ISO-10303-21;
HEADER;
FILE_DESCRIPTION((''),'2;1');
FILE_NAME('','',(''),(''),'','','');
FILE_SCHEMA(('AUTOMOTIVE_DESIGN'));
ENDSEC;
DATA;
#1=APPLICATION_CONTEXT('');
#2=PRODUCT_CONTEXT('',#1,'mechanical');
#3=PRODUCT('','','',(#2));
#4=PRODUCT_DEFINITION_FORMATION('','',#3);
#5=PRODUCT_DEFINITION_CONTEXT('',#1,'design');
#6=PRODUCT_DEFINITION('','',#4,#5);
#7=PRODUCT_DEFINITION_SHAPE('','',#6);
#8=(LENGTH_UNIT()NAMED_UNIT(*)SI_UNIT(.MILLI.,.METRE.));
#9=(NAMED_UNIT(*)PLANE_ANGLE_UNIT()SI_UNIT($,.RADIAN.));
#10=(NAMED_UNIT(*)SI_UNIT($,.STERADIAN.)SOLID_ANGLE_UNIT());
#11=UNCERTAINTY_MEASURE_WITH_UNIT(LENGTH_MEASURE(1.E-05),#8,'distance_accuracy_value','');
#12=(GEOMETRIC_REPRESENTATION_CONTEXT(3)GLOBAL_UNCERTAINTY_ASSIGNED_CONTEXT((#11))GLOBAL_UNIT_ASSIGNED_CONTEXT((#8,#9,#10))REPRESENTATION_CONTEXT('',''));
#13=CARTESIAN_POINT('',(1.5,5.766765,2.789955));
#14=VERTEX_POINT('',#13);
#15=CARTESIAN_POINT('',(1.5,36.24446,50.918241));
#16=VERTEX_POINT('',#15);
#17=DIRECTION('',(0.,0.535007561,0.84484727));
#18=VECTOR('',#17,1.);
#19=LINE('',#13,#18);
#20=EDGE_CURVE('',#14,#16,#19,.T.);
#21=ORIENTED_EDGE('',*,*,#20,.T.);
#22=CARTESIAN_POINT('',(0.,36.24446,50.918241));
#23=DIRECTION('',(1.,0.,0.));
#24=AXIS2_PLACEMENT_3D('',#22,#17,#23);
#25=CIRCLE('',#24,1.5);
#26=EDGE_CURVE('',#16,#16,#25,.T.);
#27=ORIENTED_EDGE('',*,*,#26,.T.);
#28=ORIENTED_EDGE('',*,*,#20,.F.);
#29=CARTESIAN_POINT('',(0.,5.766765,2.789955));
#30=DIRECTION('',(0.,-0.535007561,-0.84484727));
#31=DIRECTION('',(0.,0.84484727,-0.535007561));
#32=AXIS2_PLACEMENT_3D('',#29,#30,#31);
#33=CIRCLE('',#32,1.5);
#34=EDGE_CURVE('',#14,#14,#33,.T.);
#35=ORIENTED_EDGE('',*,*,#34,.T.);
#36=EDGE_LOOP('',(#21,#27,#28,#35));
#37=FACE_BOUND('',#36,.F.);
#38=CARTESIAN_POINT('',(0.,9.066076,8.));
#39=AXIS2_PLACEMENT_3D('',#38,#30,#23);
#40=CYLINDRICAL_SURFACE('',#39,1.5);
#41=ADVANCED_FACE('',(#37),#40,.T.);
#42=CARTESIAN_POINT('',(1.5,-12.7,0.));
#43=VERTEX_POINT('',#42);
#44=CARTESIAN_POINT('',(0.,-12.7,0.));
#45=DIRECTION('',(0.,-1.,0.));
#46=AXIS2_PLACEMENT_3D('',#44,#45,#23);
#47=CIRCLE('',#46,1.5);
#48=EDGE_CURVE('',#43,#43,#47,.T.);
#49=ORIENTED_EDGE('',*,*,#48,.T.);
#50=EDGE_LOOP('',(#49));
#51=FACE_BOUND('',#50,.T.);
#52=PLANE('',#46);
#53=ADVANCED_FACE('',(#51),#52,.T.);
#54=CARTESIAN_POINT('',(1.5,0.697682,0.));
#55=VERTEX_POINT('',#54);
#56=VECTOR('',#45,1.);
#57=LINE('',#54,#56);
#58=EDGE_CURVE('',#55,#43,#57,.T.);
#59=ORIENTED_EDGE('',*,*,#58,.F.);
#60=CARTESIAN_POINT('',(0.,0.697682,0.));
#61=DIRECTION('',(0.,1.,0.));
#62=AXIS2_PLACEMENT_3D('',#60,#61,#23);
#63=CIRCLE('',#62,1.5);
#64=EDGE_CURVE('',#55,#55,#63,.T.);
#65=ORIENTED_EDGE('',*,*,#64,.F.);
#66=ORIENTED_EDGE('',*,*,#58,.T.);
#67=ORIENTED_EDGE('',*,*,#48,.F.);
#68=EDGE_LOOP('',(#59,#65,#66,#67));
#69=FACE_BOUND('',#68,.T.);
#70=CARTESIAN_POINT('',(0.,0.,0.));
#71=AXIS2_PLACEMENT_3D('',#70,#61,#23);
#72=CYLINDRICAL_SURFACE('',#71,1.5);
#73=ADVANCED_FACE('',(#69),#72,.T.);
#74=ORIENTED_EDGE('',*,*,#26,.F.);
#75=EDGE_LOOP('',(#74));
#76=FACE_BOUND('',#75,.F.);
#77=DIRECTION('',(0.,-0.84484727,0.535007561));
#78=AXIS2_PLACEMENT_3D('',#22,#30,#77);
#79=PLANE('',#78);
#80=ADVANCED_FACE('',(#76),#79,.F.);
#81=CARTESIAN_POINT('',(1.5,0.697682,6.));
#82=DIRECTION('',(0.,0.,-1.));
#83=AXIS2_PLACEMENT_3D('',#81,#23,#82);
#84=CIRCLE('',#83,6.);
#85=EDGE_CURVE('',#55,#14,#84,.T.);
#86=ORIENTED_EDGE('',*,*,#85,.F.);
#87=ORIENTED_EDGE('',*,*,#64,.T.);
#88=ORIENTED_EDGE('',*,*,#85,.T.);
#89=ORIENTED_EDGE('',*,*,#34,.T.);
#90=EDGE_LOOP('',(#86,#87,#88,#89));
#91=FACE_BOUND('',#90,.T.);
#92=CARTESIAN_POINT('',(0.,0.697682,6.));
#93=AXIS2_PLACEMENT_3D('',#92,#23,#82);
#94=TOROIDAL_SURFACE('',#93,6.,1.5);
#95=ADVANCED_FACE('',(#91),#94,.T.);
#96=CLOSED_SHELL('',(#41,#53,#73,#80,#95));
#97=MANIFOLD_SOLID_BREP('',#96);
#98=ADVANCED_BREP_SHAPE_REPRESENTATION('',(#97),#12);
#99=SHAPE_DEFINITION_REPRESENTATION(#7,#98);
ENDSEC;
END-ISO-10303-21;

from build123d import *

# Parameters (mm, degrees)
F0_R     = 1.5
F3_DEPTH = 12.7
F4_DEPTH = 50.8


with BuildPart() as f2:
    # F2: sweep along a path in F1
    with BuildLine(Plane.YZ) as f2_path:
        Line((0, 0), (0.6976816626, 0))
        ThreePointArc((0.6976816626, 0), (3.5907533681, 0.7435624129), (5.7667652809, 2.7899546311))
        Line((5.7667652809, 2.7899546311), (9.0660760179, 8))
    # F0 (on Front) → F2 (sweep)
    with BuildSketch(Plane.XZ):
        Circle(F0_R)
    sweep(path=f2_path.line)

    # F0 (on Front) → F3 (join)
    with BuildSketch(Plane.XZ):
        Circle(F0_R)
    extrude(amount=F3_DEPTH)

    # F4 (add): a face of the model
    f4_faces = [f2.faces().sort_by_distance(p)[0] for p in [
        (0, 9.0660760179, 8),
    ]]
    extrude(f4_faces, amount=F4_DEPTH)


solid = f2.part
